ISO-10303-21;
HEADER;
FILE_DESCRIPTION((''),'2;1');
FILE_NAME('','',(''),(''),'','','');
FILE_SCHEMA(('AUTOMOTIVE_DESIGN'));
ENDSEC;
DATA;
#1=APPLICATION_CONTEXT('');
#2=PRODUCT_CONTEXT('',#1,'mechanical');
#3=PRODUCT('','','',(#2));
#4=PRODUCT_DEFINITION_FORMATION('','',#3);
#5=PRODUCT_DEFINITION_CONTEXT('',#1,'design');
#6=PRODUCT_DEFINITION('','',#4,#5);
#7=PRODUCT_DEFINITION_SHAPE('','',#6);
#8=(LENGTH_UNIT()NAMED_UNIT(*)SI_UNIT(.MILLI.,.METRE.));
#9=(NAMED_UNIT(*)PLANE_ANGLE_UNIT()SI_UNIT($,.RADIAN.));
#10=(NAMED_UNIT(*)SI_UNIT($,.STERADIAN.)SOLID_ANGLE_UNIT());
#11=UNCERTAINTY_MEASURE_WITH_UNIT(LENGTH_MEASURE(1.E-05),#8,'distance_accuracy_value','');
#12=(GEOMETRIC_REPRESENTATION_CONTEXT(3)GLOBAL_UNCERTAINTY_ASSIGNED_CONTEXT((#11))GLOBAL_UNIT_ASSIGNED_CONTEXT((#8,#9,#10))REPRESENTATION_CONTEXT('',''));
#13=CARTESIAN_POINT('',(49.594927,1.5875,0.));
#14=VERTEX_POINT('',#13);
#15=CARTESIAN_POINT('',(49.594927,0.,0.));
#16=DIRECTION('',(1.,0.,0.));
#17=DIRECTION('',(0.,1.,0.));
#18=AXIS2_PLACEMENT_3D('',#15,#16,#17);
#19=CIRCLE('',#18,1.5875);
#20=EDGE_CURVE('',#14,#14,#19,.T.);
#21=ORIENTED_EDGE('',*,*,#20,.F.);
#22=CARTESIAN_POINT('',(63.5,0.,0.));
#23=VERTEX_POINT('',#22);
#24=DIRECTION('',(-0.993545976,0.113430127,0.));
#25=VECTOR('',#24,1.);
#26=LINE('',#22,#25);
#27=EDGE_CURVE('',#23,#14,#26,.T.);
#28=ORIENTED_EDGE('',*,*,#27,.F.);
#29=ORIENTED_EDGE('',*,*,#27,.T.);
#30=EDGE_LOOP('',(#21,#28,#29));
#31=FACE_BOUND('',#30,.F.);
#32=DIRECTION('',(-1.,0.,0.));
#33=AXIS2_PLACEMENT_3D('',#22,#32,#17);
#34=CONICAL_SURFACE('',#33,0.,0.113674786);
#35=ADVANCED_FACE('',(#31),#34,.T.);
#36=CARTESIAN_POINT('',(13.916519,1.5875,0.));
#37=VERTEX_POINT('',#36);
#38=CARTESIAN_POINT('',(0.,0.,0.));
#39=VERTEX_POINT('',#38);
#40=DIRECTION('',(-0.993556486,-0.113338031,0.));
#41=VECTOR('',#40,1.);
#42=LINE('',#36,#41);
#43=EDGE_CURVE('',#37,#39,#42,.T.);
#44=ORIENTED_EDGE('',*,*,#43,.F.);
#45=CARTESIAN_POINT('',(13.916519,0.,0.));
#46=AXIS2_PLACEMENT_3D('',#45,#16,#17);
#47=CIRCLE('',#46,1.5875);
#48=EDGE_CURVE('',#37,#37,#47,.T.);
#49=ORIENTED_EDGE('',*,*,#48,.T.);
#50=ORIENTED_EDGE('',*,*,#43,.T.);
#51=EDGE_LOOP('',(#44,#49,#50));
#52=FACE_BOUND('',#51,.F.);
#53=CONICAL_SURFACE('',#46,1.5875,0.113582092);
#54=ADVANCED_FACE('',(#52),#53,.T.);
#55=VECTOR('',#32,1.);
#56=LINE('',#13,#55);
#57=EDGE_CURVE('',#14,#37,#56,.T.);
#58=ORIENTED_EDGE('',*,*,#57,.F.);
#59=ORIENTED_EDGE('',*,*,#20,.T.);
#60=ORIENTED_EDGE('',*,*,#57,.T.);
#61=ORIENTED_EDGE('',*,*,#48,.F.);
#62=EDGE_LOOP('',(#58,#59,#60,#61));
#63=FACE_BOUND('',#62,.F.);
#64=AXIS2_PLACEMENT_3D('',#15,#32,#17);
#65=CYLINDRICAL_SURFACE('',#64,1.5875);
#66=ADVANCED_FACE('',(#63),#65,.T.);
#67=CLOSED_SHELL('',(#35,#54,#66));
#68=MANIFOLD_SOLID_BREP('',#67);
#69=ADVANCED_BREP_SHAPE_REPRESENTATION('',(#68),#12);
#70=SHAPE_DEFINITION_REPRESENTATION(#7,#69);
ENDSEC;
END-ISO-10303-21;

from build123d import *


with BuildPart() as f1:
    # F0 (on Top) → F1 (revolve)
    with BuildSketch(Plane.XY):
        Polygon((13.9165194705, 1.5875), (0, 0), (31.75, 0), (31.75, 1.5875), align=None)
        Polygon((31.75, 1.5875), (31.75, 0), (63.5, 0), (49.5949266485, 1.5875), align=None)
    revolve(axis=Axis((31.75, 0, 0), (1, 0, 0)))


solid = f1.part
